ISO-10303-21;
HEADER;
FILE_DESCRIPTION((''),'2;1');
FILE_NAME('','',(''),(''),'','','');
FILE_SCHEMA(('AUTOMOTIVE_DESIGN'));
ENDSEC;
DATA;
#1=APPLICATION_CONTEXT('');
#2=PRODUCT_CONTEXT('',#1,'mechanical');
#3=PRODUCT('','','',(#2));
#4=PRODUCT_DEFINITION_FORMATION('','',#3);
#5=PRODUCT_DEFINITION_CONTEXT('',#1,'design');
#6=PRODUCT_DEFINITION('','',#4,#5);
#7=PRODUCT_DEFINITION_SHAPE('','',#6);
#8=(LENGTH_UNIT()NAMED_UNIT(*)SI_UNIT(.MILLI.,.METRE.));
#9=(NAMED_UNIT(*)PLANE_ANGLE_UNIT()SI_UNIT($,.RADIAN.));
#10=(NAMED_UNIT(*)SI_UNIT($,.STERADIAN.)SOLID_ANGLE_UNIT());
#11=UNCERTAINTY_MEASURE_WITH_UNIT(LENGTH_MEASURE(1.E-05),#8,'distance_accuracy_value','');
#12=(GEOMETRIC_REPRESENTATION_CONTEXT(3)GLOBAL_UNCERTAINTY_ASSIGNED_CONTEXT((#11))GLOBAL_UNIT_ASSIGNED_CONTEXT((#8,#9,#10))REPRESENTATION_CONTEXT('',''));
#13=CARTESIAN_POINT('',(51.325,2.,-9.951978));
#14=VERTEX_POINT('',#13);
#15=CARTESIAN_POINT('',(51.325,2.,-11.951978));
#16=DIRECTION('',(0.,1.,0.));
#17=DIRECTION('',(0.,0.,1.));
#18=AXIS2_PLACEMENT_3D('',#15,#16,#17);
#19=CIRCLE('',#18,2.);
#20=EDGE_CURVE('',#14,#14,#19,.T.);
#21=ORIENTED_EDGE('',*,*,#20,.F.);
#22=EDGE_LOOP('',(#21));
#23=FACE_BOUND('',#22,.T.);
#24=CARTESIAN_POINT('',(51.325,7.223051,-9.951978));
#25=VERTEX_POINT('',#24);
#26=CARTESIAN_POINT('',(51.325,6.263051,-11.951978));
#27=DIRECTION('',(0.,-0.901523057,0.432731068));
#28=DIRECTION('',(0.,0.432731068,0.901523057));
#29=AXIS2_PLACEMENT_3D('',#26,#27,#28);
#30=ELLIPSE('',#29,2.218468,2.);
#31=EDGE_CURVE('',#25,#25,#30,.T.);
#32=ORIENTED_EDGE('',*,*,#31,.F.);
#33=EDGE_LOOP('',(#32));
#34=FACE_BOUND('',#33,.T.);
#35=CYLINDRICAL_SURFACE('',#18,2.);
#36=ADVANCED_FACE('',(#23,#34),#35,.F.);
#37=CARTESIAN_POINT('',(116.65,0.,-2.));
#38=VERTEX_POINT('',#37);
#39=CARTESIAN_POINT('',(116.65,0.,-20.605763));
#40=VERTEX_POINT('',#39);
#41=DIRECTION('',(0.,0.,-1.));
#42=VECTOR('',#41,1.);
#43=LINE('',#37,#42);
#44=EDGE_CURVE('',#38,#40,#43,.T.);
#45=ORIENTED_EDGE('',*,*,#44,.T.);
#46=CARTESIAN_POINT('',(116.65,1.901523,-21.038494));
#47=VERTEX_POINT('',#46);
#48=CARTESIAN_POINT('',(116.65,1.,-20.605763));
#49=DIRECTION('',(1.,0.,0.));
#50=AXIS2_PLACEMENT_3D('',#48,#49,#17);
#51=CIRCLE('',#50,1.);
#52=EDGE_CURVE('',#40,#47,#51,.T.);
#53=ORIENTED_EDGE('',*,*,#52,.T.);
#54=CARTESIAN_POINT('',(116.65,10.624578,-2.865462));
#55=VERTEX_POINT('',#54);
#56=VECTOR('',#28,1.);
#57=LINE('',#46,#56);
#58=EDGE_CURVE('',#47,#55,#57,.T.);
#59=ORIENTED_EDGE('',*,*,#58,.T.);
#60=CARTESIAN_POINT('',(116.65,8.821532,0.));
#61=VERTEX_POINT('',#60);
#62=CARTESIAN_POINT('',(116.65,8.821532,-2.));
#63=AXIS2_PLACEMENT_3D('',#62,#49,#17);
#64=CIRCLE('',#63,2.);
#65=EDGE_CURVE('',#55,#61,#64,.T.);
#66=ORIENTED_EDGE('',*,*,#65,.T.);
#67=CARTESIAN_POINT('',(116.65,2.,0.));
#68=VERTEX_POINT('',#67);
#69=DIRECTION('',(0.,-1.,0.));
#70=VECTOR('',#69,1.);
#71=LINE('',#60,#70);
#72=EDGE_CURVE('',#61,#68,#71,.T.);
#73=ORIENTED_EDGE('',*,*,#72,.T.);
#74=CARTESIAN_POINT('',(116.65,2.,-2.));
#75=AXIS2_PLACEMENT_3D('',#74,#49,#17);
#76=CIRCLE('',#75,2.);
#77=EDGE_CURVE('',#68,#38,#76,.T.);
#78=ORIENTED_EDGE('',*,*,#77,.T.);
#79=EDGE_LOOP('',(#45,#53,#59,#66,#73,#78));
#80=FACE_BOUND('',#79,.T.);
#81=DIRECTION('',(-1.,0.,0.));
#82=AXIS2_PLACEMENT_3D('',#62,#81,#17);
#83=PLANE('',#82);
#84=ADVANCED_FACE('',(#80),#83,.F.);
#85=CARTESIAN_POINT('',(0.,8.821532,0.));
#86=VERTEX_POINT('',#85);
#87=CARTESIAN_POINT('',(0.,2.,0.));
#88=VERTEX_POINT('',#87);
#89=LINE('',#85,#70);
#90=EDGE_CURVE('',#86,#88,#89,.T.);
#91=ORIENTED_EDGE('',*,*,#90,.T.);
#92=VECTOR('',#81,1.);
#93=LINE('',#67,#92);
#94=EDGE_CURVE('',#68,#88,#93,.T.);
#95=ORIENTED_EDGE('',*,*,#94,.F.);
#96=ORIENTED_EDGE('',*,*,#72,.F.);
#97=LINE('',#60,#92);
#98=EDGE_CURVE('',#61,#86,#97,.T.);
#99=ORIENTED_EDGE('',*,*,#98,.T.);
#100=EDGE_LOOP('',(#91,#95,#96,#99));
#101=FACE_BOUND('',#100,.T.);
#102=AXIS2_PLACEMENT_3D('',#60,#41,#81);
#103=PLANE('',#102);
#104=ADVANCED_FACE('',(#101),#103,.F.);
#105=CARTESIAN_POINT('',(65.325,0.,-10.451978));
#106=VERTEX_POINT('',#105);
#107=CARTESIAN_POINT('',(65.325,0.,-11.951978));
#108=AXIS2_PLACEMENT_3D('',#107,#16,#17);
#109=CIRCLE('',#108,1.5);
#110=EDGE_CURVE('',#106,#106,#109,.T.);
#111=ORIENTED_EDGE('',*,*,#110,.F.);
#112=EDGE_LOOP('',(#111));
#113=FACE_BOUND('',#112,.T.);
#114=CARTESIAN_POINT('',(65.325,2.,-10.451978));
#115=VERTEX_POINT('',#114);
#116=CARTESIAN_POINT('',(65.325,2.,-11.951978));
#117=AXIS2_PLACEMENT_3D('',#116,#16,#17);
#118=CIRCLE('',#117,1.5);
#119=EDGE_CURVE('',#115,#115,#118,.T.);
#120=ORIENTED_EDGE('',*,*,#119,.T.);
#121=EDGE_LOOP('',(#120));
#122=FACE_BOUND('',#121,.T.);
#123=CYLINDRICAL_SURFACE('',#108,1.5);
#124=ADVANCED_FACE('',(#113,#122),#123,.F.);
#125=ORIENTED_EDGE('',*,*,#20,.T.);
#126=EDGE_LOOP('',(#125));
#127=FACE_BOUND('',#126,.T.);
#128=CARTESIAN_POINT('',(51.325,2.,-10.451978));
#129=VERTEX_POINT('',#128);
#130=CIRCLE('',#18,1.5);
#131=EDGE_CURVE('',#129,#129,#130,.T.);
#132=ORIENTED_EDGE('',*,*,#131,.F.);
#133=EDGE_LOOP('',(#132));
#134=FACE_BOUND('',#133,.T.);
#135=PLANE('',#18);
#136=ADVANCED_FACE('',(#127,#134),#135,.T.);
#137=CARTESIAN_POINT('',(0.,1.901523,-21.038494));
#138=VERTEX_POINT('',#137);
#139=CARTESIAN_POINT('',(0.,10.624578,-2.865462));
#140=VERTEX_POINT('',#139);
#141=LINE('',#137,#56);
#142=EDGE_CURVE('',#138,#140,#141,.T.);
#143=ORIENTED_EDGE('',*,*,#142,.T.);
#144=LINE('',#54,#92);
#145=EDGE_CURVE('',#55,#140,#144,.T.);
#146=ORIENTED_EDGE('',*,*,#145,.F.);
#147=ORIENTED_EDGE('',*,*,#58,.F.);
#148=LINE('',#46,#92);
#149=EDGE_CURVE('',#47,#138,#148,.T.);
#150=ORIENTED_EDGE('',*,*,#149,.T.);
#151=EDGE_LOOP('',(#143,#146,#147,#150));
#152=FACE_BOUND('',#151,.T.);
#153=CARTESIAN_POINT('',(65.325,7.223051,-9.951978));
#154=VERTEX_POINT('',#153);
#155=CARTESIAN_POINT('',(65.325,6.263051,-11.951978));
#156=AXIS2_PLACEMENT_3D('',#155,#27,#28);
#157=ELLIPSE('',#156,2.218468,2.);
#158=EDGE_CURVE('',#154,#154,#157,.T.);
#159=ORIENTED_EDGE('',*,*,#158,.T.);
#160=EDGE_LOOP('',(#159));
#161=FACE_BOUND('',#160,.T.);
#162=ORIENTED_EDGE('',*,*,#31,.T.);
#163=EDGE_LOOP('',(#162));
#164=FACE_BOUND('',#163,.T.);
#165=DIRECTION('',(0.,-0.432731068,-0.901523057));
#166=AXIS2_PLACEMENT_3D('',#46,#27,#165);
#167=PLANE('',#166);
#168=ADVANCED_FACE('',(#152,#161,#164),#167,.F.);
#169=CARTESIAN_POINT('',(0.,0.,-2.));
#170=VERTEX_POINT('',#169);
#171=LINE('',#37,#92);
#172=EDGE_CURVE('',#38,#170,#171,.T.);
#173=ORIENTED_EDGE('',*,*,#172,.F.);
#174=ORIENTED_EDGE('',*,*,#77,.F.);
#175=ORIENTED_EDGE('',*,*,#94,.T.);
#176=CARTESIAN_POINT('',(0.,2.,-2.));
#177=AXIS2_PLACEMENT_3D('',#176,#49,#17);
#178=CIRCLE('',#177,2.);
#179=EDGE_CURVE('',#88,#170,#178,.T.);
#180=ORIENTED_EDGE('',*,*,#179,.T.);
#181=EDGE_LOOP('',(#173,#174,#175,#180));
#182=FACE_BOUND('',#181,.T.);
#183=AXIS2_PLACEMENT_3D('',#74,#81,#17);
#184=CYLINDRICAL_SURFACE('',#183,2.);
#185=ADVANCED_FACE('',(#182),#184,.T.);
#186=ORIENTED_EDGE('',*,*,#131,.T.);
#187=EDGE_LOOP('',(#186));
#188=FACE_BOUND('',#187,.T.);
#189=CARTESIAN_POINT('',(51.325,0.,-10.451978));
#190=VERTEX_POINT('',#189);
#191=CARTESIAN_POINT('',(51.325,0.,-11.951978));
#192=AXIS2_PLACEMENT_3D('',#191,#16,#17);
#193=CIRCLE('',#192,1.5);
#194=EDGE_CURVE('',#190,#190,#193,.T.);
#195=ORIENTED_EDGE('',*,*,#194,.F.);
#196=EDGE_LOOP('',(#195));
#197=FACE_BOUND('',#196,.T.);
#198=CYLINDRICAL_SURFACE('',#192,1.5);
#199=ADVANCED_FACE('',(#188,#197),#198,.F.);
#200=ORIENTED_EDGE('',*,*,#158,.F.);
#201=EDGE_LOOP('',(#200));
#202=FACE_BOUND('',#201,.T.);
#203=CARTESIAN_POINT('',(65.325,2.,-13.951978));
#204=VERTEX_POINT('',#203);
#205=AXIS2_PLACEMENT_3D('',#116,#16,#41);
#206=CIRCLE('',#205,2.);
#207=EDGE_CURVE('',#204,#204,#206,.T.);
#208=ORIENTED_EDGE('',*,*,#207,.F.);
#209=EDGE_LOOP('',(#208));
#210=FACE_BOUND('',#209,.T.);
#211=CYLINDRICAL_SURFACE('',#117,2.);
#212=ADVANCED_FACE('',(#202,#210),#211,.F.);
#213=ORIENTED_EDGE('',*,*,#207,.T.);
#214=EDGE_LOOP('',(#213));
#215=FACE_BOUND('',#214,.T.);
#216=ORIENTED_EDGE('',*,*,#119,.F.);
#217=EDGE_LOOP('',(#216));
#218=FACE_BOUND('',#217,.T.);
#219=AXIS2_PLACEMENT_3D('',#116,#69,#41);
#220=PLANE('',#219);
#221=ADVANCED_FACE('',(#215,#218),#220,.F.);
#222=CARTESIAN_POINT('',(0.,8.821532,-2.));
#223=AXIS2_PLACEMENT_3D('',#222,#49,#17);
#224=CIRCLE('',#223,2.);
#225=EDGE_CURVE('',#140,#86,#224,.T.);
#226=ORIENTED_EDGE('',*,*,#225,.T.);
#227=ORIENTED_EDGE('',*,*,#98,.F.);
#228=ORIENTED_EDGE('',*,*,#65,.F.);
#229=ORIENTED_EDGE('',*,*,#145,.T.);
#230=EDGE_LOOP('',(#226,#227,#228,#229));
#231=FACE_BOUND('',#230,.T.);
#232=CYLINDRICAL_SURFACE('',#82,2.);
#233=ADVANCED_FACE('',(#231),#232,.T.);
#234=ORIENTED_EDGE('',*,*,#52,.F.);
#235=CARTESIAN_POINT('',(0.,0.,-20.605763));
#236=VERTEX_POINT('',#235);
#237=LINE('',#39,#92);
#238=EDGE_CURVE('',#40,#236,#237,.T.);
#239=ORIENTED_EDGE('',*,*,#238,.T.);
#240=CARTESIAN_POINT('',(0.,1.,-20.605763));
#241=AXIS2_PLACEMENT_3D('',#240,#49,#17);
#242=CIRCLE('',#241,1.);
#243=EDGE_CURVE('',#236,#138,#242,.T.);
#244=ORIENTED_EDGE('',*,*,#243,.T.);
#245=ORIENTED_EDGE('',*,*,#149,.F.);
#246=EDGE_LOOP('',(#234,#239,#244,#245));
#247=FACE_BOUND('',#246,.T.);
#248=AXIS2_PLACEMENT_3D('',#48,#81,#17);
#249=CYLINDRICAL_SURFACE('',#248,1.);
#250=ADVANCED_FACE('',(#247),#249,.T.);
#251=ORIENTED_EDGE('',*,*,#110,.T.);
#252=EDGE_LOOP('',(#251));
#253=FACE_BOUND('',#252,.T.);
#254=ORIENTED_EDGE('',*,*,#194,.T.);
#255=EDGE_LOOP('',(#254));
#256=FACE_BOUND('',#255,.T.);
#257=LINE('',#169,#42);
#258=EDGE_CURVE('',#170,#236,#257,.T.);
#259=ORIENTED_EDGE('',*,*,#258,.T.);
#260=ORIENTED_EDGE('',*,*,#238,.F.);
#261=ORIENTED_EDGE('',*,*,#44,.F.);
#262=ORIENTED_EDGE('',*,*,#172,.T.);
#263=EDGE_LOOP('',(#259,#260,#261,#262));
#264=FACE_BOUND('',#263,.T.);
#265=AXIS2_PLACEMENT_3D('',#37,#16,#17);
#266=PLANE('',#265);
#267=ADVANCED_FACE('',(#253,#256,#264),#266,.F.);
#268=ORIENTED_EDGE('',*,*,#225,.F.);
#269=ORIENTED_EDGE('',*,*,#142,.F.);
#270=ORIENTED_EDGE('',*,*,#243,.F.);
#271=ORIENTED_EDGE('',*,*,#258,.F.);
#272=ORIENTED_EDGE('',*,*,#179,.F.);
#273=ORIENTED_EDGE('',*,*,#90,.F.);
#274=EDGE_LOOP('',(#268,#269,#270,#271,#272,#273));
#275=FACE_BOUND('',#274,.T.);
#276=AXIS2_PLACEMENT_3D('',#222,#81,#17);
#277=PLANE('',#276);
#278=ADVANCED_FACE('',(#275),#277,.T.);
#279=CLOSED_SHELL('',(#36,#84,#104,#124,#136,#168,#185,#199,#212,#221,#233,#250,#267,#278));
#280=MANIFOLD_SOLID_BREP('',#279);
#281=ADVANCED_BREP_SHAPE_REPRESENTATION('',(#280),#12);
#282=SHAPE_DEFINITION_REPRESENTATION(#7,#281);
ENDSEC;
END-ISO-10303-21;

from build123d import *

# Parameters (mm, degrees)
BOSS_EXTRUDE1_DEPTH = 116.65
SKETCH2_R           = 2
CUT_EXTRUDE1_DEPTH  = 8
SKETCH3_R           = 1.5
CUT_EXTRUDE2_DEPTH  = 119.961552208


with BuildPart() as part:
    # Sketch1 → Boss-Extrude1 (new body)
    with BuildSketch(Plane(origin=(0, 0, 0), x_dir=(0, 0, -1), z_dir=(1, 0, 0))):
        with BuildLine():
            Line((2, 0), (20.605762563, 0))
            ThreePointArc((20.605762563, 0), (21.580832575, 0.778102566), (21.03849363, 1.901523057))
            Line((21.03849363, 1.901523057), (2.865462135, 10.624578175))
            ThreePointArc((2.865462135, 10.624578175), (0.934853125, 10.514299657), (0, 8.82153206))
            Line((0, 8.82153206), (0, 2))
            ThreePointArc((0, 2), (0.585786438, 0.585786438), (2, 0))
        make_face()
    extrude(amount=BOSS_EXTRUDE1_DEPTH)

    # Sketch2 → Cut-Extrude1 (cut)
    with BuildSketch(Plane(origin=(0, 10, 0), x_dir=(1, 0, 0), z_dir=(0, 1, 0))):
        with Locations(Location((51.325, 11.951977883, 0), (0, 0, 270))):
            Circle(SKETCH2_R)
        with Locations(Location((65.325, 11.951977883, 0), (0, 0, 270))):
            Circle(SKETCH2_R)
    extrude(amount=-CUT_EXTRUDE1_DEPTH, mode=Mode.SUBTRACT)

    # Sketch3 → Cut-Extrude2 (cut, through all)
    with BuildSketch(Plane(origin=(0, 2, 0), x_dir=(1, 0, 0), z_dir=(0, 1, 0))):
        with Locations(Location((51.325, 11.951977883, 0), (0, 0, 270))):
            Circle(SKETCH3_R)
        with Locations(Location((65.325, 11.951977883, 0), (0, 0, 270))):
            Circle(SKETCH3_R)
    extrude(amount=-CUT_EXTRUDE2_DEPTH, mode=Mode.SUBTRACT)


solid = part.part
